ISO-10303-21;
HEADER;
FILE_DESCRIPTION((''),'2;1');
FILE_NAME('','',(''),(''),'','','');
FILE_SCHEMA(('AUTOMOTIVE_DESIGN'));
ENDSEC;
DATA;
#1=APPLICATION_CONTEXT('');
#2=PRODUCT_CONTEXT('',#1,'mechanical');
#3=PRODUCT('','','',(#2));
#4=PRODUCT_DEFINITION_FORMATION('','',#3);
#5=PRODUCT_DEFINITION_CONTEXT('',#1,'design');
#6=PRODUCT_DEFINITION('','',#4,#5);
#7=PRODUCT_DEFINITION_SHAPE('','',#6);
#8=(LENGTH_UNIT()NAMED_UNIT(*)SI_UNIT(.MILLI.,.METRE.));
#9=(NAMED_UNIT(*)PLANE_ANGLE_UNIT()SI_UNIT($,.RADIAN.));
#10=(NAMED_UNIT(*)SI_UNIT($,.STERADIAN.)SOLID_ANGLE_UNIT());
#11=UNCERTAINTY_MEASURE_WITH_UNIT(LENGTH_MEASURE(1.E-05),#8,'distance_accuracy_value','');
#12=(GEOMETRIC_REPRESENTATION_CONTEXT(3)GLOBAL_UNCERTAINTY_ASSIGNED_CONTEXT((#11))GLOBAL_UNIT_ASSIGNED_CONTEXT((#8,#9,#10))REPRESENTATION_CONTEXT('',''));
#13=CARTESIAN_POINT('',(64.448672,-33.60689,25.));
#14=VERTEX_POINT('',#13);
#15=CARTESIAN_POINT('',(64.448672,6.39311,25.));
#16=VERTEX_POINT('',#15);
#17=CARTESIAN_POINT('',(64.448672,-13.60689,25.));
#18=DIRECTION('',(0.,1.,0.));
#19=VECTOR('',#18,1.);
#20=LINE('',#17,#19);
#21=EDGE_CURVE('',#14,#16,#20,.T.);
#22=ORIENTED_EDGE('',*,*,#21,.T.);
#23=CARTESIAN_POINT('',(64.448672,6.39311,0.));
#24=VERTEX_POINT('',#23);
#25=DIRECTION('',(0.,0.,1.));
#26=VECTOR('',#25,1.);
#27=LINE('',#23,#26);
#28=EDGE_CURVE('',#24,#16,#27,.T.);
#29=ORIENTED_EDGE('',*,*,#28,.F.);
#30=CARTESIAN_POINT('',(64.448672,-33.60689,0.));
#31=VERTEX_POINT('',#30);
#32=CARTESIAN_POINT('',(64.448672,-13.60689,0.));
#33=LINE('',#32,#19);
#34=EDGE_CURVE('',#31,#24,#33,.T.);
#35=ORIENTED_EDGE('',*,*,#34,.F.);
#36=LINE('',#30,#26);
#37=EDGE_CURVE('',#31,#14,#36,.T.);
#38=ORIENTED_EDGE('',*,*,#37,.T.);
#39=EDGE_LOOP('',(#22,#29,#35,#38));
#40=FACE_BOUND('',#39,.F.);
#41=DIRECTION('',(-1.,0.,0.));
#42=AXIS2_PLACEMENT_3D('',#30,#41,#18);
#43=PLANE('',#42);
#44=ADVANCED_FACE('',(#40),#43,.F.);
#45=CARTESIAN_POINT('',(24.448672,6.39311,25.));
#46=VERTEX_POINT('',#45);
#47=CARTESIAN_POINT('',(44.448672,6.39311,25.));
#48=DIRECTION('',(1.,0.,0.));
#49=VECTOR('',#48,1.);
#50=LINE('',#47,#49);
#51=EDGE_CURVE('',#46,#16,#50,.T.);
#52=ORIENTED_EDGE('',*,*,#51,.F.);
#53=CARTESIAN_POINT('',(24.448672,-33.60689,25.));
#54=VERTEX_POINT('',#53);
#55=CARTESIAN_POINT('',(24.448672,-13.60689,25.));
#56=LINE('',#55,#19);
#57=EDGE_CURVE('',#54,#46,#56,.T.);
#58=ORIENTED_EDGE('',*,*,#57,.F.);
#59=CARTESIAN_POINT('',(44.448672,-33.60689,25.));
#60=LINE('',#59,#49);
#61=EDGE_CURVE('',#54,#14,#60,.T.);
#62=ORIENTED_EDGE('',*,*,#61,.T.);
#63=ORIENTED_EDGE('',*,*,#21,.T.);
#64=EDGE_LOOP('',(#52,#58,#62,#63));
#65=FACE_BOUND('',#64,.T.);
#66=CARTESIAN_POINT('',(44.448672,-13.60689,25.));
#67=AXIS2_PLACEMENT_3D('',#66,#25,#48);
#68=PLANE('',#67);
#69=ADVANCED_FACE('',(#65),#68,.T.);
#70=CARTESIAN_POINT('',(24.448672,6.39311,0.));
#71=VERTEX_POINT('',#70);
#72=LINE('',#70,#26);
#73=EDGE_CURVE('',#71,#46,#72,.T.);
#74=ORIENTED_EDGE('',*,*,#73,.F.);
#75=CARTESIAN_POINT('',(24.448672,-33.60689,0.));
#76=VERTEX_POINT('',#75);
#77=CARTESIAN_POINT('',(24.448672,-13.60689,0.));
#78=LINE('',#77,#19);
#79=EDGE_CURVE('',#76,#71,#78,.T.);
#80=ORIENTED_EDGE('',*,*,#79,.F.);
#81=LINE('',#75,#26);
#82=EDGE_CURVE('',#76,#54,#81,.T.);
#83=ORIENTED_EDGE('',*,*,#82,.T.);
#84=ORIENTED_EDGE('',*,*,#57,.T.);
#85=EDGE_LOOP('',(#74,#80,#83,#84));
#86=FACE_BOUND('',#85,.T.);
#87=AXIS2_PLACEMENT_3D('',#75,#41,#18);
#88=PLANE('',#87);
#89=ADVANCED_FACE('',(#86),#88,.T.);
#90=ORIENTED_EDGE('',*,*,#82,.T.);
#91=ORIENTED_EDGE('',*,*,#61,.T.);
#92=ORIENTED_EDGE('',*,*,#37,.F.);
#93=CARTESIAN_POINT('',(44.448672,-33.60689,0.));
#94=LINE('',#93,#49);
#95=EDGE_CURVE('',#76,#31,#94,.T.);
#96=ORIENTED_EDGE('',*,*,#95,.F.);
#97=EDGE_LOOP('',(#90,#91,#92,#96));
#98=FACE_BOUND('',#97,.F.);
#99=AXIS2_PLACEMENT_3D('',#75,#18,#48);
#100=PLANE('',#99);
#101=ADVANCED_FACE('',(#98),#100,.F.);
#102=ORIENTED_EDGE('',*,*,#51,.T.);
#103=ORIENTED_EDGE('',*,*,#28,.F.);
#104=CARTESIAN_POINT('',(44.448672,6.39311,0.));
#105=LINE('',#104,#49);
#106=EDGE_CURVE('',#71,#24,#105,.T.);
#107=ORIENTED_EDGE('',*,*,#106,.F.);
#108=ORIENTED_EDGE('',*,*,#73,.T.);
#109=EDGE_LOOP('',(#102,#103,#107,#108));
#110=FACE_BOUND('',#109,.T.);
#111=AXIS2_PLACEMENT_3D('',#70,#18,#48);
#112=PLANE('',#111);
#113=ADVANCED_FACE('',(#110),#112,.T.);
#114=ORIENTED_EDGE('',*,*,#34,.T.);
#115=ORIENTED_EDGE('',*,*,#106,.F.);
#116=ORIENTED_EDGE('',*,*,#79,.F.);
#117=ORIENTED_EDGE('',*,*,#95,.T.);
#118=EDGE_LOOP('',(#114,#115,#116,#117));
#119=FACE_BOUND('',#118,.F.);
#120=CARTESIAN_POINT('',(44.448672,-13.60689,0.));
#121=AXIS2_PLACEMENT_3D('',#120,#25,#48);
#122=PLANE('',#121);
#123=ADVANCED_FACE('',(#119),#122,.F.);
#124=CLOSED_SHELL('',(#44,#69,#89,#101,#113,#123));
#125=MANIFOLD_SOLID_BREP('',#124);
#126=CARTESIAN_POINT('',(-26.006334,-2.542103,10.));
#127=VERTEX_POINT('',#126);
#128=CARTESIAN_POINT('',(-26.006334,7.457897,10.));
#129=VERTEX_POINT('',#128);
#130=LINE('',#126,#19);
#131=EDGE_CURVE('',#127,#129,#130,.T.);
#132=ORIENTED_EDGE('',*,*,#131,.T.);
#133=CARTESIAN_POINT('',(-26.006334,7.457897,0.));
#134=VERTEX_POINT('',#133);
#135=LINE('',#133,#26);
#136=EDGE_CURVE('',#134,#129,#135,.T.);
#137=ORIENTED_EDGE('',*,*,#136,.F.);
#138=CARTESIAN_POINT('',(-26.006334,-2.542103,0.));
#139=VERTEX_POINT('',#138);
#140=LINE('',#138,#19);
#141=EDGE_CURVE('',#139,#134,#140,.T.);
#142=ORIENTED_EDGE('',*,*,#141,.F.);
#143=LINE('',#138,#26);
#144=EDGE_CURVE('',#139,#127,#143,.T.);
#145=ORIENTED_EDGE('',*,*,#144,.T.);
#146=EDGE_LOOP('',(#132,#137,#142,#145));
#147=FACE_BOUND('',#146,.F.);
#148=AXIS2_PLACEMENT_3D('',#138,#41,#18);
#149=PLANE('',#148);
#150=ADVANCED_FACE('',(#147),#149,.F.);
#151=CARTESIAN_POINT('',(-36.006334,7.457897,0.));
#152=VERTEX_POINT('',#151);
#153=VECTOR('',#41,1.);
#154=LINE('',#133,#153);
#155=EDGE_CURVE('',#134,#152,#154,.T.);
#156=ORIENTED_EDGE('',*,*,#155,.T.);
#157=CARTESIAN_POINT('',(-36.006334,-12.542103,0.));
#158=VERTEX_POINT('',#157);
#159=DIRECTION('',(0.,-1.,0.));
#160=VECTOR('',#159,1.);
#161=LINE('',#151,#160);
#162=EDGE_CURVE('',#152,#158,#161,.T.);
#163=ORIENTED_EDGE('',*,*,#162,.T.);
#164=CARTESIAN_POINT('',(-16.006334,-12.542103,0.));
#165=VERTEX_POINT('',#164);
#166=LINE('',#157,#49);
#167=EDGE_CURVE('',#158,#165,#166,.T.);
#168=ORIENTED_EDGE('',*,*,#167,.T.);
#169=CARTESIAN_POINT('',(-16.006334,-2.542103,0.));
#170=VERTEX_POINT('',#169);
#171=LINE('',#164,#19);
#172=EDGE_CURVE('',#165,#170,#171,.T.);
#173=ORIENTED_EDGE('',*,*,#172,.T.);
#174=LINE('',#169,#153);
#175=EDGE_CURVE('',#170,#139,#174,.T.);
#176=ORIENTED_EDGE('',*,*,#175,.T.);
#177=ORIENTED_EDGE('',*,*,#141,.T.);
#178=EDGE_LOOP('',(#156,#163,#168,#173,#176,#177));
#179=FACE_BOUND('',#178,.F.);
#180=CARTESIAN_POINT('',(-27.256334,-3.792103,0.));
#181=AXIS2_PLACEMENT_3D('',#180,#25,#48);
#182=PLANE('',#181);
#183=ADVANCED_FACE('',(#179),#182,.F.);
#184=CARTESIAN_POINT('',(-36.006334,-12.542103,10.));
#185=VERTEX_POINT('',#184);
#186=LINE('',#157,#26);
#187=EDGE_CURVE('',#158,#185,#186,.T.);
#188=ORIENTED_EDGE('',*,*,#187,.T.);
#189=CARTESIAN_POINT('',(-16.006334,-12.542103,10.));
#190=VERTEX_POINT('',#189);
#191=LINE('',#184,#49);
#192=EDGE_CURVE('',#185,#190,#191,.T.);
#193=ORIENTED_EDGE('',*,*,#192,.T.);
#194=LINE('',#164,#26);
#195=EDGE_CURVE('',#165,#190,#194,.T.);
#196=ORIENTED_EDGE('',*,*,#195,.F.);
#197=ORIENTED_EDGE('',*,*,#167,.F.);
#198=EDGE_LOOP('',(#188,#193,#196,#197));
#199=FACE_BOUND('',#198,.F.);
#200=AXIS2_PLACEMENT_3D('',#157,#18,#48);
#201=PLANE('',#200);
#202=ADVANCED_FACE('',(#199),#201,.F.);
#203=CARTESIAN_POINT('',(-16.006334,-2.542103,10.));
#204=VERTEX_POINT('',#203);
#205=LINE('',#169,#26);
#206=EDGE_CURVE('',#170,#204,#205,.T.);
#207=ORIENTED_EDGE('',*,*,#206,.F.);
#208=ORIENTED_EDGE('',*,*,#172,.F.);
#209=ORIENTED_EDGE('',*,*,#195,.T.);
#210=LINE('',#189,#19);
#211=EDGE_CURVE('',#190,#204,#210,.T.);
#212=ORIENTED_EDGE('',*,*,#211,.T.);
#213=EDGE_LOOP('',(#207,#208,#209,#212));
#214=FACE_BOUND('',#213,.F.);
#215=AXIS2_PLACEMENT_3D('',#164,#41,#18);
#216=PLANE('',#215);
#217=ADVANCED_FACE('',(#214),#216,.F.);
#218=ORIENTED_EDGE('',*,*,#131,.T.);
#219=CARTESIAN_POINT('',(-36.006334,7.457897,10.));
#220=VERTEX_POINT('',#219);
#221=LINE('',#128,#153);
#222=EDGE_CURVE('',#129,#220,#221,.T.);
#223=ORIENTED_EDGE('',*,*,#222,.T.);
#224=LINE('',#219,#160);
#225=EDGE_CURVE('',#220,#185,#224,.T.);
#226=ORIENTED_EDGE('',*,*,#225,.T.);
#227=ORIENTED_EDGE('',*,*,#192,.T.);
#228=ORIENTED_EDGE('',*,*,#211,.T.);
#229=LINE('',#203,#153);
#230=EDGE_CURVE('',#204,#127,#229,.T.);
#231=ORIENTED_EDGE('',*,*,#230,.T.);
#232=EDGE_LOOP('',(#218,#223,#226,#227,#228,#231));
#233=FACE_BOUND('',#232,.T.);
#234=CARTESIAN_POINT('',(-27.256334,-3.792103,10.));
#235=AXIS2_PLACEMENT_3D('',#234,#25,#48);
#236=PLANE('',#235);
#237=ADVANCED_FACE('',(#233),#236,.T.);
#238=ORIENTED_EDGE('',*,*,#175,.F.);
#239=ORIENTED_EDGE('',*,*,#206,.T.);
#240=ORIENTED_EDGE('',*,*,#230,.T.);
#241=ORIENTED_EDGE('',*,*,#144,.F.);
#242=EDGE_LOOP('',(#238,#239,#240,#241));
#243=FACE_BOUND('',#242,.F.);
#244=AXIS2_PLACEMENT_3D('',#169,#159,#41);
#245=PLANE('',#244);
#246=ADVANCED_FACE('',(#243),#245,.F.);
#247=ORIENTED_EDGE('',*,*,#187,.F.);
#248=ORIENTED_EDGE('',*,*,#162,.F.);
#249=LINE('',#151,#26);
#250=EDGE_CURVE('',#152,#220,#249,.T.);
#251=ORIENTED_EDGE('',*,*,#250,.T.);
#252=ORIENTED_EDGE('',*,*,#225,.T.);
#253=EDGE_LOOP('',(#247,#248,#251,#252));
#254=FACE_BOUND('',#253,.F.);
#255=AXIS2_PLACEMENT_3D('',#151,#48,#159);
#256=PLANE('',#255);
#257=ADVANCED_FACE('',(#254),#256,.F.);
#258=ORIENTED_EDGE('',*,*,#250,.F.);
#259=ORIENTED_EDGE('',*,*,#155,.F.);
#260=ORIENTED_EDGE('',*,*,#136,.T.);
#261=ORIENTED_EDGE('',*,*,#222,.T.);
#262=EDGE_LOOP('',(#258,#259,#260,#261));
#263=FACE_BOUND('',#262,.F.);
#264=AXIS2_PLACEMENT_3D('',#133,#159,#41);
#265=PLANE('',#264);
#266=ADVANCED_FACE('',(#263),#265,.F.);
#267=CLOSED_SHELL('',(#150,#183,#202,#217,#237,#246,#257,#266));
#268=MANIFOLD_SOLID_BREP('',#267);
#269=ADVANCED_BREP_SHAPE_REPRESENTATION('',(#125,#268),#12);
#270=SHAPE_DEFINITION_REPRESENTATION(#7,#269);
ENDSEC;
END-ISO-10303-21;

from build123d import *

# Parameters (mm, degrees)
F1_DEPTH = 10
F2_W     = 40
F2_H     = 40
F3_DEPTH = 25


with BuildPart() as f1:
    # F0 (on Top) → F1 (new body)
    with BuildSketch(Plane.XY):
        Polygon((-26.006334, 7.457897), (-36.006334, 7.457897), (-36.006334, -12.542103), (-16.006334, -12.542103), (-16.006334, -2.542103), (-26.006334, -2.542103), align=None)
    extrude(amount=F1_DEPTH)


with BuildPart() as f3:
    # F2 (on Top) → F3 (new body)
    with BuildSketch(Plane.XY):
        with Locations((44.448672, -13.60689)):
            Rectangle(F2_W, F2_H)
    extrude(amount=F3_DEPTH)


solid = Compound([f1.part, f3.part])
